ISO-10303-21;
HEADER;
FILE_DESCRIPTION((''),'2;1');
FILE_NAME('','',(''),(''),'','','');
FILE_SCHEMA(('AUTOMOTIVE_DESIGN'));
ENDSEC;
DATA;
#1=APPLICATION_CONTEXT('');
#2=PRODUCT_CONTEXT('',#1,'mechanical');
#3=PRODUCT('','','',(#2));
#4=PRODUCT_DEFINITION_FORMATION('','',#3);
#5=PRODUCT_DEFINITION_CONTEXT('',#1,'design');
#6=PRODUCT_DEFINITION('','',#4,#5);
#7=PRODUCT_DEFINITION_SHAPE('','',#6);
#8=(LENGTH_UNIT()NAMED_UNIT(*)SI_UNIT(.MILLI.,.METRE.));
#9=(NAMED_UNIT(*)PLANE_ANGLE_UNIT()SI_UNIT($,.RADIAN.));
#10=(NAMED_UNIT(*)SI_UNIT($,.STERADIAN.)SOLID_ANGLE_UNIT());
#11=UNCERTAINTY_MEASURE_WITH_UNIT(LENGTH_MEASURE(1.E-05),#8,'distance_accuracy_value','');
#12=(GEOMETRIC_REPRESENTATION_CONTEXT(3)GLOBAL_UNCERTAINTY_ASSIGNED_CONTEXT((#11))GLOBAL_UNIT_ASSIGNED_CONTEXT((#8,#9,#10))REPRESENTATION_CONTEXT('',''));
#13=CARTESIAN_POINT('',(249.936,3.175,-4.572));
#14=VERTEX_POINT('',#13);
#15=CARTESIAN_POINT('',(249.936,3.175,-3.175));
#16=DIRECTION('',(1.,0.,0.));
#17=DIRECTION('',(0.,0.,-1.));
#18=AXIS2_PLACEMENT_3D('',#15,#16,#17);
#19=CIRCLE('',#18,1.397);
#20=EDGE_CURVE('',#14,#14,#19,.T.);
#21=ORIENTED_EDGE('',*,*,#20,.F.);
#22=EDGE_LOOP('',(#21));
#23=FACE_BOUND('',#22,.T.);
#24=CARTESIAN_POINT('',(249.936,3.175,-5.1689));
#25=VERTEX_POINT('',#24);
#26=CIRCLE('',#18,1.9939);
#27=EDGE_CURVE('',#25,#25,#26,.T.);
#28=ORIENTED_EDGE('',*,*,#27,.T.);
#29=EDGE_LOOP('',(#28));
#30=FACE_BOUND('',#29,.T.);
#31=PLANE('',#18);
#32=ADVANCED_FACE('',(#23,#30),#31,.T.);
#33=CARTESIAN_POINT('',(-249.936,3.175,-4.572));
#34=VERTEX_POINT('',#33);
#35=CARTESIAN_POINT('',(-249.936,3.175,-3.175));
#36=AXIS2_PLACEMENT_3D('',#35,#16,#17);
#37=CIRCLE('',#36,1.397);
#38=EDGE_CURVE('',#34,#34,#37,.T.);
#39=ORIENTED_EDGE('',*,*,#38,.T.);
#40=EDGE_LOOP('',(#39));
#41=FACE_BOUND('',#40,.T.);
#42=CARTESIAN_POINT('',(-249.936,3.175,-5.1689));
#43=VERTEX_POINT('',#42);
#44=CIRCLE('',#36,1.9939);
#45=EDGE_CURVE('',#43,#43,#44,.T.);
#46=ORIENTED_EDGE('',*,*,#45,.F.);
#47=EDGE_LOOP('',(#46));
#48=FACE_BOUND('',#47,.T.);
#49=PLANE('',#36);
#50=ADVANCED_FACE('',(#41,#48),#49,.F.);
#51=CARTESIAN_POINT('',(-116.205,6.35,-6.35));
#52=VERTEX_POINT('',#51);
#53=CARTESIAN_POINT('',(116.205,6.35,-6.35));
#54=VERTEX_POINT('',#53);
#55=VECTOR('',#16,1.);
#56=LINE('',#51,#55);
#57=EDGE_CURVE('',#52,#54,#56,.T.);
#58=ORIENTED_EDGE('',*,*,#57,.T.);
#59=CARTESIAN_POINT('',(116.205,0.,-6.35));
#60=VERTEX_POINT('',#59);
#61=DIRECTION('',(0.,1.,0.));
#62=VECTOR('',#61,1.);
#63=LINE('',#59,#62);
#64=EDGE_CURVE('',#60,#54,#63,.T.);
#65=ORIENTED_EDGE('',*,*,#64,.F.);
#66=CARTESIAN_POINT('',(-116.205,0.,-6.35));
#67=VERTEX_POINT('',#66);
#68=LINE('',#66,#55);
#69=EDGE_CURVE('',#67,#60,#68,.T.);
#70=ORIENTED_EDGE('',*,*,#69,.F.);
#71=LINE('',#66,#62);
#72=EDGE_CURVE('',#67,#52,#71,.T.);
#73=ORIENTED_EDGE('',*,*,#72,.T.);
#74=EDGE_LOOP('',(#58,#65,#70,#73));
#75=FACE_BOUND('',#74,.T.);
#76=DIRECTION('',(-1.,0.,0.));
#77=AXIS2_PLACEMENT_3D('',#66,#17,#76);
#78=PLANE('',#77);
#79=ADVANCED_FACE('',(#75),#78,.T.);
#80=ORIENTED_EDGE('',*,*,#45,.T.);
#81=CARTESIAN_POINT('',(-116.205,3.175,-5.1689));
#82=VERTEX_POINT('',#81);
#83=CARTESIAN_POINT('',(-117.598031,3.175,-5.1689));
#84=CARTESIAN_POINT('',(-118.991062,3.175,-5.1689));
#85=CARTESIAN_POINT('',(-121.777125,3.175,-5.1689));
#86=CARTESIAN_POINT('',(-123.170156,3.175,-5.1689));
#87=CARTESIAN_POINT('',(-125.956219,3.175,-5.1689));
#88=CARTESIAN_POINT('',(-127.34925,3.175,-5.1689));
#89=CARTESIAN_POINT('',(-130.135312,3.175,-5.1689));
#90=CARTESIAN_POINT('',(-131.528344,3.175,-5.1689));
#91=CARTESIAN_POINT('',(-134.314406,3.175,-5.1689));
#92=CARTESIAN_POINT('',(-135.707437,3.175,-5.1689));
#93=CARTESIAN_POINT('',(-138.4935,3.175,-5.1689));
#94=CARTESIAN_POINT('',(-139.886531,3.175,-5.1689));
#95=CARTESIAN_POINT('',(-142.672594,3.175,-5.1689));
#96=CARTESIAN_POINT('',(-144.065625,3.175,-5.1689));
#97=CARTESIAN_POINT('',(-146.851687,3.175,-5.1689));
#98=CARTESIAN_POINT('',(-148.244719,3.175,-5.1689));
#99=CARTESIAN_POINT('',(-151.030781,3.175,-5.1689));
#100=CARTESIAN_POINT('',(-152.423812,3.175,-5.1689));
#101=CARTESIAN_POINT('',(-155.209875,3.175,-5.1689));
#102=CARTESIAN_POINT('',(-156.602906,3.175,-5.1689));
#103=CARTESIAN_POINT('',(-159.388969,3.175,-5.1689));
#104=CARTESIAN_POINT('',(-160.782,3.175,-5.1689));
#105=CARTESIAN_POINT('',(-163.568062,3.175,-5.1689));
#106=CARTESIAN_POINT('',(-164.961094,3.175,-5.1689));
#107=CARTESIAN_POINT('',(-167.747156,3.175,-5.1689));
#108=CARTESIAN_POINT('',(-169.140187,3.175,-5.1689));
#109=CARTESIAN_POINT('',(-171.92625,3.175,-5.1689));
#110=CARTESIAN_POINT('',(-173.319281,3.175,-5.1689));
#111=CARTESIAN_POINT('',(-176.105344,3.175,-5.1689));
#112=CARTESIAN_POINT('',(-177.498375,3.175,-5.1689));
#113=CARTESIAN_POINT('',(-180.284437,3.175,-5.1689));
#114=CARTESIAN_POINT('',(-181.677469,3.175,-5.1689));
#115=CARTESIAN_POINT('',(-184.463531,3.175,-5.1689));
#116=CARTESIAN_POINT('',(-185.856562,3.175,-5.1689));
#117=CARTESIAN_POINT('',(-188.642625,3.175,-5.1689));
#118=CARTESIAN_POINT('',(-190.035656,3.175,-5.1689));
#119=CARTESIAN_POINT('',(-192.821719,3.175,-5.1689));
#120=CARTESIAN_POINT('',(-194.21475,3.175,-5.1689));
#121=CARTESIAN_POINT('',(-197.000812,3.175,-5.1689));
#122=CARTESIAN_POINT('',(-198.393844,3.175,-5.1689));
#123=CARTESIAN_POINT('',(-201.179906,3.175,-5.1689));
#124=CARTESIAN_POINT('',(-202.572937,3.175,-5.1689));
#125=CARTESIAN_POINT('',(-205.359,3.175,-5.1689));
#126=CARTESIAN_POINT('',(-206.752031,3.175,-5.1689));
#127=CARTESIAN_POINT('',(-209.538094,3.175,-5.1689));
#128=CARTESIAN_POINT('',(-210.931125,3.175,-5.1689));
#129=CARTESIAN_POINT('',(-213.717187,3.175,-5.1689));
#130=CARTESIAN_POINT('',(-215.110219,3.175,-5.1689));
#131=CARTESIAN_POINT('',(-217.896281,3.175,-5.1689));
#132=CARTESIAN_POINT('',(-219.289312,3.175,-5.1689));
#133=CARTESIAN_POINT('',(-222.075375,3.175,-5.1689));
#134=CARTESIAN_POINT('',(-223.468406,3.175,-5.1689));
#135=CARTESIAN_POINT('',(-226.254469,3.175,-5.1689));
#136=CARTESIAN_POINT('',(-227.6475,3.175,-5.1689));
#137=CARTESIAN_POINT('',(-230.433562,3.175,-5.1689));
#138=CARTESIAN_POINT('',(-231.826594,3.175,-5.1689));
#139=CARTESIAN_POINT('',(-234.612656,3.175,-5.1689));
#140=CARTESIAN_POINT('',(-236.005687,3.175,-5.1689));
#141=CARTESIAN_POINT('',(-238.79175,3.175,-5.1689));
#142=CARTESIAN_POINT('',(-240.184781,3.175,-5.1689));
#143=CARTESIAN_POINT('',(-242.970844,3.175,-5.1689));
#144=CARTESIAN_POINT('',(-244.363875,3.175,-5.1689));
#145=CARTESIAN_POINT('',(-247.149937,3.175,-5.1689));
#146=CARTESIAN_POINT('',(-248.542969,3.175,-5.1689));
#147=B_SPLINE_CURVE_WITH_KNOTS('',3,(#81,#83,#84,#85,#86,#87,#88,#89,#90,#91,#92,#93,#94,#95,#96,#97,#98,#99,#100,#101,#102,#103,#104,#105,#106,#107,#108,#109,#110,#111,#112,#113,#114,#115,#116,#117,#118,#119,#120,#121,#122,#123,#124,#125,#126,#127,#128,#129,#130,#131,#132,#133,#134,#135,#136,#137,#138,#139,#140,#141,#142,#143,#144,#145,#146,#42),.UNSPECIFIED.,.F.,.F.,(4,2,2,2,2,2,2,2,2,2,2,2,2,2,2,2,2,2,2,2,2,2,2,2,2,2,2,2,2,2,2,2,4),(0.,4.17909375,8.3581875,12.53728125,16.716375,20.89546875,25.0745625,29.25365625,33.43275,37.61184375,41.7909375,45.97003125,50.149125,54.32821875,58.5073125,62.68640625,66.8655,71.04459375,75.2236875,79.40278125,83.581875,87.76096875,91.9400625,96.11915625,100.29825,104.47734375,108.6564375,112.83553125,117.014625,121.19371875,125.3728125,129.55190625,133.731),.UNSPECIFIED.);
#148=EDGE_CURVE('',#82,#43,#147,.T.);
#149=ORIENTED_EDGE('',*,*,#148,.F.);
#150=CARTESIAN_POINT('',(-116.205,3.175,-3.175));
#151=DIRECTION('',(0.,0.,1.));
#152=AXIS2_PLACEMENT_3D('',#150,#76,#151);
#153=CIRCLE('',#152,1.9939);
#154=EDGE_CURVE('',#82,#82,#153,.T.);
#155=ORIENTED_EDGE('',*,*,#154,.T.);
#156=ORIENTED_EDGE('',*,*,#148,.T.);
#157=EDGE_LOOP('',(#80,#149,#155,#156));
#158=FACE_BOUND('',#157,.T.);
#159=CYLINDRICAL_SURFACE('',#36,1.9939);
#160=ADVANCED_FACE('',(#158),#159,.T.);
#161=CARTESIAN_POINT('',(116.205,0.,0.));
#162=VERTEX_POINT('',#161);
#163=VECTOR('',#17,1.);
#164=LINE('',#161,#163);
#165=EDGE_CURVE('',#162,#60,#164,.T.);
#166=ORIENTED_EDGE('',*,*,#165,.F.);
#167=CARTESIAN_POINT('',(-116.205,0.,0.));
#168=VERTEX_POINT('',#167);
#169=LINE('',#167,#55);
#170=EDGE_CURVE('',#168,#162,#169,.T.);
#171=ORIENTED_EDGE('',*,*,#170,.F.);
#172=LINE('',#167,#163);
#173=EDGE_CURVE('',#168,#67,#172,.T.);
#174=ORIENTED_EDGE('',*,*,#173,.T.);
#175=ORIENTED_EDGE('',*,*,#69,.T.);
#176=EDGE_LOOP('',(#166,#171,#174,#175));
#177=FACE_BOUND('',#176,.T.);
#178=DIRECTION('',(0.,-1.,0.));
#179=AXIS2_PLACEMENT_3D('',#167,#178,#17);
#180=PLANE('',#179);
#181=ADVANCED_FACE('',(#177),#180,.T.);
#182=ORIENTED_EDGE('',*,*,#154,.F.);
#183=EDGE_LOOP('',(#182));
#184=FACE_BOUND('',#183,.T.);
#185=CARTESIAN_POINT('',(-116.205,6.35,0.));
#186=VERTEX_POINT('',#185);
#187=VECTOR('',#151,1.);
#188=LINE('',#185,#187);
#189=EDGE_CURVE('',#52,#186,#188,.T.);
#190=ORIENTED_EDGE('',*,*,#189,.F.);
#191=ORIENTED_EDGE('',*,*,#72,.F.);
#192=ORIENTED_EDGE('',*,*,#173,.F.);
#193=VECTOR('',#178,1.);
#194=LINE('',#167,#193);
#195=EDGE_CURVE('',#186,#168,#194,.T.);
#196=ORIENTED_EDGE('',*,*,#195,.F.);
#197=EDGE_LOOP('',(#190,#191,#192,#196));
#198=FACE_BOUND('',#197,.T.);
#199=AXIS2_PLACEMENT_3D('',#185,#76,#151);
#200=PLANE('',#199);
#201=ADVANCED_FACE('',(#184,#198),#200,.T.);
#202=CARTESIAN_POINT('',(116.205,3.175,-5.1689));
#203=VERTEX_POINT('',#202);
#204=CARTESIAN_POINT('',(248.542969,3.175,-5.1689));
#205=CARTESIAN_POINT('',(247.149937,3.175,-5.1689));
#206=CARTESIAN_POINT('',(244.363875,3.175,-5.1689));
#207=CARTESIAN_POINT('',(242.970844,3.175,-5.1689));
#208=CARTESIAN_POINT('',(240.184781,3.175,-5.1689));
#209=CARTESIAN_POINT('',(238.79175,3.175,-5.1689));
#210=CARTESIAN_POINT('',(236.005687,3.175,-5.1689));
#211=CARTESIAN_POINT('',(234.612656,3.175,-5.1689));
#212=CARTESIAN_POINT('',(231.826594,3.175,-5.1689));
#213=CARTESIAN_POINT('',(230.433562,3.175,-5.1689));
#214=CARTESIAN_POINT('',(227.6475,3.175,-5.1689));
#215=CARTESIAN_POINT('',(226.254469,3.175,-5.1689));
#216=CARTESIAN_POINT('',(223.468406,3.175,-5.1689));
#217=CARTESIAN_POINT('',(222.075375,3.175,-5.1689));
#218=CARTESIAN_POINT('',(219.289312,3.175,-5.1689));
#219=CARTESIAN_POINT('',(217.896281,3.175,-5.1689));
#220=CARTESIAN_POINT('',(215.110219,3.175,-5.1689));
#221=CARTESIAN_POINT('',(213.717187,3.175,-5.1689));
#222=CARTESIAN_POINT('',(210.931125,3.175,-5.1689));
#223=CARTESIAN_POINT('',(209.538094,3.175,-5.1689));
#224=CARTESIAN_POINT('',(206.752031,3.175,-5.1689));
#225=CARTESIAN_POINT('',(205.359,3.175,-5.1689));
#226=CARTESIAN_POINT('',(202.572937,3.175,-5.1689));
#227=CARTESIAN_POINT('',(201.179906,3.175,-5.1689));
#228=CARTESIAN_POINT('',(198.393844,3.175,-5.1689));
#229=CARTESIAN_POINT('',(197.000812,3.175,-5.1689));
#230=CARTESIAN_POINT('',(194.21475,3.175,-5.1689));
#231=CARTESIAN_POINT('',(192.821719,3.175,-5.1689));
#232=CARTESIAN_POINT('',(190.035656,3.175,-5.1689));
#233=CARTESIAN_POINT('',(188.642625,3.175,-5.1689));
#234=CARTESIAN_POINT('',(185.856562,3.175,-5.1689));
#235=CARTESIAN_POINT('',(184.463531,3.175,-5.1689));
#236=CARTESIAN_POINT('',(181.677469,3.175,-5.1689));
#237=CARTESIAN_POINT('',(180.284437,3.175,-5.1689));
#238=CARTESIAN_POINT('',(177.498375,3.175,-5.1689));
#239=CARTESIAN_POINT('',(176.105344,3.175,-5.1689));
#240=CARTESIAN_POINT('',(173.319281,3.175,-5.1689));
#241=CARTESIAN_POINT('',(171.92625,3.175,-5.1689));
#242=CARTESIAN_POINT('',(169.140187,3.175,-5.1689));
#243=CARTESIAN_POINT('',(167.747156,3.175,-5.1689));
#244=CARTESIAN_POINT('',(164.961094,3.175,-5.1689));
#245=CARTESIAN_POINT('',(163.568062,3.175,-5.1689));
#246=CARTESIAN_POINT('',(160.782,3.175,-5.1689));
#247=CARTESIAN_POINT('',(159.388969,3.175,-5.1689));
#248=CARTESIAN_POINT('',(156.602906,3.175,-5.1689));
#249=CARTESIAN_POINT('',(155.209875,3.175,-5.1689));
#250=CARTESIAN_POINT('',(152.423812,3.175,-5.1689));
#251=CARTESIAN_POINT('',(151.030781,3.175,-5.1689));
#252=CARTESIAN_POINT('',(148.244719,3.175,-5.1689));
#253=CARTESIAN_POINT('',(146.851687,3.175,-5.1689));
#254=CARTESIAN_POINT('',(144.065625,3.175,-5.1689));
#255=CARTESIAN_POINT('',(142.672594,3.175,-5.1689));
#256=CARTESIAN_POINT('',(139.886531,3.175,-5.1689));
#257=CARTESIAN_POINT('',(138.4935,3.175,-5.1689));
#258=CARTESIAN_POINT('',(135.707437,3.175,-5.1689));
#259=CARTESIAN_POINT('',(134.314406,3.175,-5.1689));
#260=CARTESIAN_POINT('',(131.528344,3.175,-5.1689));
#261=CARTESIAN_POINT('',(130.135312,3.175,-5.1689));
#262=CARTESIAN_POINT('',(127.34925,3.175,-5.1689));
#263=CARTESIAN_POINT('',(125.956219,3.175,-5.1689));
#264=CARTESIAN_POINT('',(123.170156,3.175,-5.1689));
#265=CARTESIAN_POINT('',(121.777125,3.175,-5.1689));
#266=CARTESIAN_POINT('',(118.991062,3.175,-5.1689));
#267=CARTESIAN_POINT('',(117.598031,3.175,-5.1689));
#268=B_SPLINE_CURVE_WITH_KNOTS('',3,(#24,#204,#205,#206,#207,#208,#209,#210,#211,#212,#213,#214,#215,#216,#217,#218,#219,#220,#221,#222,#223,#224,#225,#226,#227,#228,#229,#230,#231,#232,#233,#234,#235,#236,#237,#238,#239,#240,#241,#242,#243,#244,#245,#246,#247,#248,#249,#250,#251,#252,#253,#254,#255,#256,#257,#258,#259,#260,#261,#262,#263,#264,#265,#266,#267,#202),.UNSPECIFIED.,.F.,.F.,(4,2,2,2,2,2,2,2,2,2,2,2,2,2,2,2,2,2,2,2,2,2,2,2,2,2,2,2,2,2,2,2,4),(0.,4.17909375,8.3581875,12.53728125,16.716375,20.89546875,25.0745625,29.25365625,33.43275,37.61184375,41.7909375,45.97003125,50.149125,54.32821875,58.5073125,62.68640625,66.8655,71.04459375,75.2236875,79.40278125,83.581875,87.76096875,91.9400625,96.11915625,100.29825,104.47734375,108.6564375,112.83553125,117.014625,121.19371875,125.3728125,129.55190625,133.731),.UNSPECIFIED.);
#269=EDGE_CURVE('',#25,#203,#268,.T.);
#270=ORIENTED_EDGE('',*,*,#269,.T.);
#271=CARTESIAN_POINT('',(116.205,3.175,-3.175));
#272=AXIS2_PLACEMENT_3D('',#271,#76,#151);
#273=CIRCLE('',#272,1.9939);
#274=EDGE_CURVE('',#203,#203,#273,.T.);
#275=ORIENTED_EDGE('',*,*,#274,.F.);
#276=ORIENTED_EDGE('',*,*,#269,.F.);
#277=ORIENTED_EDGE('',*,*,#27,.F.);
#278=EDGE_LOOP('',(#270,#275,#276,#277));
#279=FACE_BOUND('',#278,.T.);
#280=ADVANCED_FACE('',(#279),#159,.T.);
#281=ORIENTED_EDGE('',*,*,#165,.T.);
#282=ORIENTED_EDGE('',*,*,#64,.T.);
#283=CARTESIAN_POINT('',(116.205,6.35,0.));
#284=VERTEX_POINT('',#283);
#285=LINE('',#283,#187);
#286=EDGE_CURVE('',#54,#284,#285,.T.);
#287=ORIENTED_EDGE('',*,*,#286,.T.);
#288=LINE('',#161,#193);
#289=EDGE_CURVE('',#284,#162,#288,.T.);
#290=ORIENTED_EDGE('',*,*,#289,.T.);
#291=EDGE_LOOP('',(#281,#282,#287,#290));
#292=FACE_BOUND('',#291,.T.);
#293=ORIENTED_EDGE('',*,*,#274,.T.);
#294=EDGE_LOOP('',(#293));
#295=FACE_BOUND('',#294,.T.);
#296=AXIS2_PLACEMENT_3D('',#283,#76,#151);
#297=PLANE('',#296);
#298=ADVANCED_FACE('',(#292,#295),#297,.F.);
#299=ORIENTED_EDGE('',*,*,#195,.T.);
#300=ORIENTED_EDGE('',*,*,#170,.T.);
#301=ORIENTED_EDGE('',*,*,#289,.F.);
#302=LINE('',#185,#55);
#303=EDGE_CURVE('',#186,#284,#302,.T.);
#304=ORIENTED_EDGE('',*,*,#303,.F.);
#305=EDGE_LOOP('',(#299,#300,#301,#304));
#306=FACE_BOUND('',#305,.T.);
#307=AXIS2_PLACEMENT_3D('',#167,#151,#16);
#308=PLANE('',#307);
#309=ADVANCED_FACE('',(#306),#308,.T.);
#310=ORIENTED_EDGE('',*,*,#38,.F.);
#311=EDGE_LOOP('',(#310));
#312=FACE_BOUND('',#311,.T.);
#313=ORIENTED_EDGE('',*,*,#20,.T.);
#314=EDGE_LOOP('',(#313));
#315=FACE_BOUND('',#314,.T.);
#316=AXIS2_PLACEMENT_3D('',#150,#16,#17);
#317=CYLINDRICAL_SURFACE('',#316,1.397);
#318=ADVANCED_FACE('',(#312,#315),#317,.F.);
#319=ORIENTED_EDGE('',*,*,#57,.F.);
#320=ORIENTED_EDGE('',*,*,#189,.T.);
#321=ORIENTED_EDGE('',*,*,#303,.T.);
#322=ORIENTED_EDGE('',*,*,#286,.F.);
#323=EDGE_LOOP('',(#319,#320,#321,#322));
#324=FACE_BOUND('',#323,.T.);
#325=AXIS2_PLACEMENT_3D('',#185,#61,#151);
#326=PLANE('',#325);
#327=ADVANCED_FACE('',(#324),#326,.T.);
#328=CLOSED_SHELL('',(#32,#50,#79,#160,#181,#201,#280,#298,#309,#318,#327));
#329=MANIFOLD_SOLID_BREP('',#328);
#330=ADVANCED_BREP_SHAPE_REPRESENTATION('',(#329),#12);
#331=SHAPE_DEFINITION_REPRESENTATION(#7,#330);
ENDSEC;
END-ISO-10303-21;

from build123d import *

# Parameters (mm, degrees)
BOSS_EXTRUDE1_DEPTH      = 116.205
BOSS_EXTRUDE1_DEPTH_BACK = 116.205
SKETCH1_W                = 6.35
SKETCH1_H                = 6.35
SKETCH1_R                = 1.397
BOSS_EXTRUDE3_DEPTH      = 249.936
BOSS_EXTRUDE3_DEPTH_BACK = 249.936
SKETCH3_R                = 1.9939
SKETCH3_R_2              = 1.397


with BuildPart() as part:
    # Sketch1 → Boss-Extrude1 (new, two sides: drawn at the far end of the back side and taken through both)
    with BuildSketch(Plane(origin=(0, 0, 0), x_dir=(0, 0, -1), z_dir=(1, 0, 0)).offset(-BOSS_EXTRUDE1_DEPTH_BACK)):
        with Locations((3.175, 3.175)):
            Rectangle(SKETCH1_W, SKETCH1_H)
        with Locations((3.175, 3.175)):
            Circle(SKETCH1_R, mode=Mode.SUBTRACT)
    extrude(amount=BOSS_EXTRUDE1_DEPTH + BOSS_EXTRUDE1_DEPTH_BACK)

    # Sketch3 → Boss-Extrude3 (add, two sides: drawn at the far end of the back side and taken through both)
    with BuildSketch(Plane(origin=(0, 0, 0), x_dir=(0, 0, -1), z_dir=(1, 0, 0)).offset(-BOSS_EXTRUDE3_DEPTH_BACK)):
        with Locations((3.175, 3.175)):
            Circle(SKETCH3_R)
        with Locations((3.175, 3.175)):
            Circle(SKETCH3_R_2, mode=Mode.SUBTRACT)
    extrude(amount=BOSS_EXTRUDE3_DEPTH + BOSS_EXTRUDE3_DEPTH_BACK)


solid = part.part
